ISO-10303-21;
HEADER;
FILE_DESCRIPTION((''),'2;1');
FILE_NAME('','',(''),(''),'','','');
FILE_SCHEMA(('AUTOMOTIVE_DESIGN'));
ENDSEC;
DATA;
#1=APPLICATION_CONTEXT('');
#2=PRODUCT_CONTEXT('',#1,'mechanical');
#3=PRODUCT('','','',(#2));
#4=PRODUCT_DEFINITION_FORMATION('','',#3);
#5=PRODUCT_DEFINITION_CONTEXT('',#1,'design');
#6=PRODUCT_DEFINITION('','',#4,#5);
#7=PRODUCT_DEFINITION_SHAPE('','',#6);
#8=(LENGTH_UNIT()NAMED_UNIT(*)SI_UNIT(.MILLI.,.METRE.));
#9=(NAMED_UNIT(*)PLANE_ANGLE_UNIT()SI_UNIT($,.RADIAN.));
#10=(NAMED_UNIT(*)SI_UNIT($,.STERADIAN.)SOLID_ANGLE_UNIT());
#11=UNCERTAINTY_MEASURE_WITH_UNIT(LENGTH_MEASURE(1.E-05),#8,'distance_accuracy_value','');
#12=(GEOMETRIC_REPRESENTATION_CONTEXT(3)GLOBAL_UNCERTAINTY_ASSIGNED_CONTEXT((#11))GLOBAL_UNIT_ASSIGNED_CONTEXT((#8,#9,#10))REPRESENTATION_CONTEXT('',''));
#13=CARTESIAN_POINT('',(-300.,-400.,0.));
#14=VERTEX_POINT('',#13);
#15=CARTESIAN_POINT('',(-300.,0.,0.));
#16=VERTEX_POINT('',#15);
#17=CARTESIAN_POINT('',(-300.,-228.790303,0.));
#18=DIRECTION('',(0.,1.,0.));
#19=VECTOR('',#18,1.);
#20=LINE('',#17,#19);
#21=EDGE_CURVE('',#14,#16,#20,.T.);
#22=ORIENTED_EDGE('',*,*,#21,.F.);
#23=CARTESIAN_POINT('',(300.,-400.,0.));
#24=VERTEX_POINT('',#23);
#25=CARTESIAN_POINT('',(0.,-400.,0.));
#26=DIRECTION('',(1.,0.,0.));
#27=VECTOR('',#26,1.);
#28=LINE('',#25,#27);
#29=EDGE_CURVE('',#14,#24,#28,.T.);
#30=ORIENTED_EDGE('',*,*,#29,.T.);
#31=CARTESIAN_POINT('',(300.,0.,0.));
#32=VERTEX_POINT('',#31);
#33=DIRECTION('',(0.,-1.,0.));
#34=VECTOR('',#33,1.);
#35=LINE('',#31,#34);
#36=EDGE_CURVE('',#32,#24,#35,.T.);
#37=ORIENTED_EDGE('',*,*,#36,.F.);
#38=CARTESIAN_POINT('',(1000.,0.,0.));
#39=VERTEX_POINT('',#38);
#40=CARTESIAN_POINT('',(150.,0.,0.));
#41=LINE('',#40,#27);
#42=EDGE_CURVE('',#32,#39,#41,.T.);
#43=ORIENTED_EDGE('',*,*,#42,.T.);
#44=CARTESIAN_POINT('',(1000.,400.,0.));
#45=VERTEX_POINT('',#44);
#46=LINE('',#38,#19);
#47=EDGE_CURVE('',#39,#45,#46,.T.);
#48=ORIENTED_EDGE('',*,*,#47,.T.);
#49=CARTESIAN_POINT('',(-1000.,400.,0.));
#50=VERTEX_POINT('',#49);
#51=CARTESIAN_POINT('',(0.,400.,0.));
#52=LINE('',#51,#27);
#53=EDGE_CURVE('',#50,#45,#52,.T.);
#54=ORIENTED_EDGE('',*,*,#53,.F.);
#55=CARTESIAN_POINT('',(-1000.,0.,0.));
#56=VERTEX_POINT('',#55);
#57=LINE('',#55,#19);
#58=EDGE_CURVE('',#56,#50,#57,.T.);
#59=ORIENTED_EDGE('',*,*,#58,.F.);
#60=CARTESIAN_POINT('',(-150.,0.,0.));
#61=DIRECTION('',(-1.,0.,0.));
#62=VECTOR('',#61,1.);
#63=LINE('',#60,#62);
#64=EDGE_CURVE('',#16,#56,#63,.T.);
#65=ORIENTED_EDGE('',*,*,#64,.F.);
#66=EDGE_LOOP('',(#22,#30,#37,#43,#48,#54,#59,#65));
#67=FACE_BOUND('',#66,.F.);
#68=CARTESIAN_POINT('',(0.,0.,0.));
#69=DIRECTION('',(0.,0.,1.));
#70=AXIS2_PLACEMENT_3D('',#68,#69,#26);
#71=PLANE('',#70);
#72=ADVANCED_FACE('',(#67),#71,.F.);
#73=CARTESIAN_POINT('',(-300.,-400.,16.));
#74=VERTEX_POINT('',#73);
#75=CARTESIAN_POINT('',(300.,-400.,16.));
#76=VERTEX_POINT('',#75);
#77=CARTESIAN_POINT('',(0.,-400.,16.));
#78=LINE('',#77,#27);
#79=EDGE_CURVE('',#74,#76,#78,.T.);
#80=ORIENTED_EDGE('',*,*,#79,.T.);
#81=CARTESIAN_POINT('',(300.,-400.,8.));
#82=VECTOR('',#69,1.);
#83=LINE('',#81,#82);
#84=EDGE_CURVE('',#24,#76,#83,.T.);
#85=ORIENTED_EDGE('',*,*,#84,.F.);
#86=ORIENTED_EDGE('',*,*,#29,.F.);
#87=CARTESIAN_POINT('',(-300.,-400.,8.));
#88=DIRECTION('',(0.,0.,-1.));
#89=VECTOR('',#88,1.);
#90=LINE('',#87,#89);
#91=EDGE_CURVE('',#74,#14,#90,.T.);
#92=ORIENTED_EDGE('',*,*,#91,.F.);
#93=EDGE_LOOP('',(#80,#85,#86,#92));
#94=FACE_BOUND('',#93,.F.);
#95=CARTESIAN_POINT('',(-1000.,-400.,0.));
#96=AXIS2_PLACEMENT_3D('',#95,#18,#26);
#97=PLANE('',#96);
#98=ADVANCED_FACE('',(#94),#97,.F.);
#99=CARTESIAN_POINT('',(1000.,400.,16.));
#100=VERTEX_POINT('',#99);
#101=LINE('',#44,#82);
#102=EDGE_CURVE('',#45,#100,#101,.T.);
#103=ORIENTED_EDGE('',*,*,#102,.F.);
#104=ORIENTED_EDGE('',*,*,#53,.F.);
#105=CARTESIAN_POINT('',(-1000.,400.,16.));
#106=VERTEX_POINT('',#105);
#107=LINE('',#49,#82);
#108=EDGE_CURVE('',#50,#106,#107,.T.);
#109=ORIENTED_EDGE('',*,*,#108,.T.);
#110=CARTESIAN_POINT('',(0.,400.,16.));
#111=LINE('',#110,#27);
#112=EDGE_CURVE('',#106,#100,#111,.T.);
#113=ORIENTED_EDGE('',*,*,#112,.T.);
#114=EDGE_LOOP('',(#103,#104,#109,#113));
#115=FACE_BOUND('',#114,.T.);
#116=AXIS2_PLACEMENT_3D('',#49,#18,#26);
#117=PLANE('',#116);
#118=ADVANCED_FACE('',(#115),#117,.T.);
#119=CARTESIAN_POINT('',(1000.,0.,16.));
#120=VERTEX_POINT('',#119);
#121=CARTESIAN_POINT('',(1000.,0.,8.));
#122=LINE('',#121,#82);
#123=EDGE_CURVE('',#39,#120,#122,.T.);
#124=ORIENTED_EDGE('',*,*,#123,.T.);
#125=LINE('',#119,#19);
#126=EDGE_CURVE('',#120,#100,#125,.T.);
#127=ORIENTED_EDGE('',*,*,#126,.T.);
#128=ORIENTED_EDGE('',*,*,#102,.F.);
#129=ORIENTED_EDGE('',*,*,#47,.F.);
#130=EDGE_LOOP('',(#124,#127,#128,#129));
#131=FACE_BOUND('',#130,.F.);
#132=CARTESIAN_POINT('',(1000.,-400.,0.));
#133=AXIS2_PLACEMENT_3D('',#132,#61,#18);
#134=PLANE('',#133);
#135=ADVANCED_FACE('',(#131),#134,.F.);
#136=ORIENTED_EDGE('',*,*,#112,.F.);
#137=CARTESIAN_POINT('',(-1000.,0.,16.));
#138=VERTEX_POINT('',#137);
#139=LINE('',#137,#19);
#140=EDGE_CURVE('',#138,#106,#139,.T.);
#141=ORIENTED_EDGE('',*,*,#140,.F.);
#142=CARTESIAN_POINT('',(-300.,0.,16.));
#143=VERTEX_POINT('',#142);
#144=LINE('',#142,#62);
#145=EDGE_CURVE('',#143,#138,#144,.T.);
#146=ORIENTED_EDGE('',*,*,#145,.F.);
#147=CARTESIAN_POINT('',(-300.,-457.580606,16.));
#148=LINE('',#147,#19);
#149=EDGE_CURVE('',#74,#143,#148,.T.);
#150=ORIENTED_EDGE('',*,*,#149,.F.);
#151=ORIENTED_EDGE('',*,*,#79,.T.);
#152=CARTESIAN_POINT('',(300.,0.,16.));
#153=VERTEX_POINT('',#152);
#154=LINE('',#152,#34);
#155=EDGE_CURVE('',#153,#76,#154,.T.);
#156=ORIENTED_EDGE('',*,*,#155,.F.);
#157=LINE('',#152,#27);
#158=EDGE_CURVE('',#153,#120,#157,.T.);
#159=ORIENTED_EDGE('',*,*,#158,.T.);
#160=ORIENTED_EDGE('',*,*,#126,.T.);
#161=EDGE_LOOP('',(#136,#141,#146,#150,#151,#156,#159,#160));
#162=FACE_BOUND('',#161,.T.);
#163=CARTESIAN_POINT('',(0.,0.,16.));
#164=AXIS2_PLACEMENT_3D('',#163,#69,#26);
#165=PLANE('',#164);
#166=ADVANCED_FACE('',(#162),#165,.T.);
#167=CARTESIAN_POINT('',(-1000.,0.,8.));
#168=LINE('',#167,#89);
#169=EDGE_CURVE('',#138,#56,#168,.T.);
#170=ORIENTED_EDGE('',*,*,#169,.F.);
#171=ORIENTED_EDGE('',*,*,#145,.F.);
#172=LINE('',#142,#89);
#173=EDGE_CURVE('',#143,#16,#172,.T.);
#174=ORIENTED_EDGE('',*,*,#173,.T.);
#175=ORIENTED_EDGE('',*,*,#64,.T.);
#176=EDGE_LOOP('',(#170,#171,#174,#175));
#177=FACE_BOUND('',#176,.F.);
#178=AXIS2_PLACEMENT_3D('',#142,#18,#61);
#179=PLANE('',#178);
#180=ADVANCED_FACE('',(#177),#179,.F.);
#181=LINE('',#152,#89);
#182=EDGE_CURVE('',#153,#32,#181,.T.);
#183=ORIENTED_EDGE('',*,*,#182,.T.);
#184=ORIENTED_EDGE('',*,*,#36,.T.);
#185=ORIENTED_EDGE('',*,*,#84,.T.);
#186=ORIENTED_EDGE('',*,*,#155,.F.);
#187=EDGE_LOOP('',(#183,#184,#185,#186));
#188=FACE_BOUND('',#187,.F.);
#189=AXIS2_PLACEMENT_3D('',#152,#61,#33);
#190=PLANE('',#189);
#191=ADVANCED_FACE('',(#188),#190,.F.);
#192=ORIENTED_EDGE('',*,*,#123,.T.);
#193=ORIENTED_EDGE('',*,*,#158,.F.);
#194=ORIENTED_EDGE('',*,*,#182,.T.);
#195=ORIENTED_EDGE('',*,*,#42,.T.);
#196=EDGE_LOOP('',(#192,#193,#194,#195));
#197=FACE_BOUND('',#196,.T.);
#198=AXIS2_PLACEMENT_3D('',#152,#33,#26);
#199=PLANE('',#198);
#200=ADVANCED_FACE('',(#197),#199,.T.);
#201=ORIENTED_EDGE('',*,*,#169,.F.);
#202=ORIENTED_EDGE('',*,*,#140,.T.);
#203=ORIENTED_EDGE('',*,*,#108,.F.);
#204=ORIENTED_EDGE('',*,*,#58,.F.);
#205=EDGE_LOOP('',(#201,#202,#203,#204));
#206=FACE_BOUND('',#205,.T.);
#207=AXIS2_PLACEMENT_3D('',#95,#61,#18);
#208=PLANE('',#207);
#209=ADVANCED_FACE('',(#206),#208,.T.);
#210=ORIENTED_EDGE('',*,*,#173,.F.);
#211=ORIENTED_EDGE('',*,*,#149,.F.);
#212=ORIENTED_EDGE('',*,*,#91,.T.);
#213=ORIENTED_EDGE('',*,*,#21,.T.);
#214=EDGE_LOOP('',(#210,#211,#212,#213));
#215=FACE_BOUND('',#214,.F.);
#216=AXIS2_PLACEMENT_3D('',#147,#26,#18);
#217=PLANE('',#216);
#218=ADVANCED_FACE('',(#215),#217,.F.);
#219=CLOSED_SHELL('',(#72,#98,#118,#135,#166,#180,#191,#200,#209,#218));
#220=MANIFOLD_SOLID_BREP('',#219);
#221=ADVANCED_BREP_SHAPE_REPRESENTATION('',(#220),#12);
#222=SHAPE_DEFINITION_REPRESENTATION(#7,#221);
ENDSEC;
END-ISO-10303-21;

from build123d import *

# Parameters (mm, degrees)
SKIZZE1_W                       = 2000
SKIZZE1_H                       = 800
AUFSATZ_LINEAR_AUSTRAGEN1_DEPTH = 16
SCHNITT_LINEAR_AUSTRAGEN1_DEPTH = 17


with BuildPart() as part:
    # Skizze1 → Aufsatz-Linear austragen1 (new body)
    with BuildSketch(Plane.XY):
        Rectangle(SKIZZE1_W, SKIZZE1_H)
    extrude(amount=AUFSATZ_LINEAR_AUSTRAGEN1_DEPTH)

    # Skizze2 → Schnitt-Linear austragen1 (cut, through all)
    with BuildSketch(Plane.XY.offset(16)):
        Polygon((-300, -400), (-300, 0), (-1381.908908696, 0), (-1381.908908696, -457.580605906), (-300, -457.580605906), align=None)
        Polygon((1381.908908696, -457.580605906), (300, -457.580605906), (300, -400), (300, 0), (1381.908908696, 0), align=None)
    extrude(amount=-SCHNITT_LINEAR_AUSTRAGEN1_DEPTH, mode=Mode.SUBTRACT)


solid = part.part
